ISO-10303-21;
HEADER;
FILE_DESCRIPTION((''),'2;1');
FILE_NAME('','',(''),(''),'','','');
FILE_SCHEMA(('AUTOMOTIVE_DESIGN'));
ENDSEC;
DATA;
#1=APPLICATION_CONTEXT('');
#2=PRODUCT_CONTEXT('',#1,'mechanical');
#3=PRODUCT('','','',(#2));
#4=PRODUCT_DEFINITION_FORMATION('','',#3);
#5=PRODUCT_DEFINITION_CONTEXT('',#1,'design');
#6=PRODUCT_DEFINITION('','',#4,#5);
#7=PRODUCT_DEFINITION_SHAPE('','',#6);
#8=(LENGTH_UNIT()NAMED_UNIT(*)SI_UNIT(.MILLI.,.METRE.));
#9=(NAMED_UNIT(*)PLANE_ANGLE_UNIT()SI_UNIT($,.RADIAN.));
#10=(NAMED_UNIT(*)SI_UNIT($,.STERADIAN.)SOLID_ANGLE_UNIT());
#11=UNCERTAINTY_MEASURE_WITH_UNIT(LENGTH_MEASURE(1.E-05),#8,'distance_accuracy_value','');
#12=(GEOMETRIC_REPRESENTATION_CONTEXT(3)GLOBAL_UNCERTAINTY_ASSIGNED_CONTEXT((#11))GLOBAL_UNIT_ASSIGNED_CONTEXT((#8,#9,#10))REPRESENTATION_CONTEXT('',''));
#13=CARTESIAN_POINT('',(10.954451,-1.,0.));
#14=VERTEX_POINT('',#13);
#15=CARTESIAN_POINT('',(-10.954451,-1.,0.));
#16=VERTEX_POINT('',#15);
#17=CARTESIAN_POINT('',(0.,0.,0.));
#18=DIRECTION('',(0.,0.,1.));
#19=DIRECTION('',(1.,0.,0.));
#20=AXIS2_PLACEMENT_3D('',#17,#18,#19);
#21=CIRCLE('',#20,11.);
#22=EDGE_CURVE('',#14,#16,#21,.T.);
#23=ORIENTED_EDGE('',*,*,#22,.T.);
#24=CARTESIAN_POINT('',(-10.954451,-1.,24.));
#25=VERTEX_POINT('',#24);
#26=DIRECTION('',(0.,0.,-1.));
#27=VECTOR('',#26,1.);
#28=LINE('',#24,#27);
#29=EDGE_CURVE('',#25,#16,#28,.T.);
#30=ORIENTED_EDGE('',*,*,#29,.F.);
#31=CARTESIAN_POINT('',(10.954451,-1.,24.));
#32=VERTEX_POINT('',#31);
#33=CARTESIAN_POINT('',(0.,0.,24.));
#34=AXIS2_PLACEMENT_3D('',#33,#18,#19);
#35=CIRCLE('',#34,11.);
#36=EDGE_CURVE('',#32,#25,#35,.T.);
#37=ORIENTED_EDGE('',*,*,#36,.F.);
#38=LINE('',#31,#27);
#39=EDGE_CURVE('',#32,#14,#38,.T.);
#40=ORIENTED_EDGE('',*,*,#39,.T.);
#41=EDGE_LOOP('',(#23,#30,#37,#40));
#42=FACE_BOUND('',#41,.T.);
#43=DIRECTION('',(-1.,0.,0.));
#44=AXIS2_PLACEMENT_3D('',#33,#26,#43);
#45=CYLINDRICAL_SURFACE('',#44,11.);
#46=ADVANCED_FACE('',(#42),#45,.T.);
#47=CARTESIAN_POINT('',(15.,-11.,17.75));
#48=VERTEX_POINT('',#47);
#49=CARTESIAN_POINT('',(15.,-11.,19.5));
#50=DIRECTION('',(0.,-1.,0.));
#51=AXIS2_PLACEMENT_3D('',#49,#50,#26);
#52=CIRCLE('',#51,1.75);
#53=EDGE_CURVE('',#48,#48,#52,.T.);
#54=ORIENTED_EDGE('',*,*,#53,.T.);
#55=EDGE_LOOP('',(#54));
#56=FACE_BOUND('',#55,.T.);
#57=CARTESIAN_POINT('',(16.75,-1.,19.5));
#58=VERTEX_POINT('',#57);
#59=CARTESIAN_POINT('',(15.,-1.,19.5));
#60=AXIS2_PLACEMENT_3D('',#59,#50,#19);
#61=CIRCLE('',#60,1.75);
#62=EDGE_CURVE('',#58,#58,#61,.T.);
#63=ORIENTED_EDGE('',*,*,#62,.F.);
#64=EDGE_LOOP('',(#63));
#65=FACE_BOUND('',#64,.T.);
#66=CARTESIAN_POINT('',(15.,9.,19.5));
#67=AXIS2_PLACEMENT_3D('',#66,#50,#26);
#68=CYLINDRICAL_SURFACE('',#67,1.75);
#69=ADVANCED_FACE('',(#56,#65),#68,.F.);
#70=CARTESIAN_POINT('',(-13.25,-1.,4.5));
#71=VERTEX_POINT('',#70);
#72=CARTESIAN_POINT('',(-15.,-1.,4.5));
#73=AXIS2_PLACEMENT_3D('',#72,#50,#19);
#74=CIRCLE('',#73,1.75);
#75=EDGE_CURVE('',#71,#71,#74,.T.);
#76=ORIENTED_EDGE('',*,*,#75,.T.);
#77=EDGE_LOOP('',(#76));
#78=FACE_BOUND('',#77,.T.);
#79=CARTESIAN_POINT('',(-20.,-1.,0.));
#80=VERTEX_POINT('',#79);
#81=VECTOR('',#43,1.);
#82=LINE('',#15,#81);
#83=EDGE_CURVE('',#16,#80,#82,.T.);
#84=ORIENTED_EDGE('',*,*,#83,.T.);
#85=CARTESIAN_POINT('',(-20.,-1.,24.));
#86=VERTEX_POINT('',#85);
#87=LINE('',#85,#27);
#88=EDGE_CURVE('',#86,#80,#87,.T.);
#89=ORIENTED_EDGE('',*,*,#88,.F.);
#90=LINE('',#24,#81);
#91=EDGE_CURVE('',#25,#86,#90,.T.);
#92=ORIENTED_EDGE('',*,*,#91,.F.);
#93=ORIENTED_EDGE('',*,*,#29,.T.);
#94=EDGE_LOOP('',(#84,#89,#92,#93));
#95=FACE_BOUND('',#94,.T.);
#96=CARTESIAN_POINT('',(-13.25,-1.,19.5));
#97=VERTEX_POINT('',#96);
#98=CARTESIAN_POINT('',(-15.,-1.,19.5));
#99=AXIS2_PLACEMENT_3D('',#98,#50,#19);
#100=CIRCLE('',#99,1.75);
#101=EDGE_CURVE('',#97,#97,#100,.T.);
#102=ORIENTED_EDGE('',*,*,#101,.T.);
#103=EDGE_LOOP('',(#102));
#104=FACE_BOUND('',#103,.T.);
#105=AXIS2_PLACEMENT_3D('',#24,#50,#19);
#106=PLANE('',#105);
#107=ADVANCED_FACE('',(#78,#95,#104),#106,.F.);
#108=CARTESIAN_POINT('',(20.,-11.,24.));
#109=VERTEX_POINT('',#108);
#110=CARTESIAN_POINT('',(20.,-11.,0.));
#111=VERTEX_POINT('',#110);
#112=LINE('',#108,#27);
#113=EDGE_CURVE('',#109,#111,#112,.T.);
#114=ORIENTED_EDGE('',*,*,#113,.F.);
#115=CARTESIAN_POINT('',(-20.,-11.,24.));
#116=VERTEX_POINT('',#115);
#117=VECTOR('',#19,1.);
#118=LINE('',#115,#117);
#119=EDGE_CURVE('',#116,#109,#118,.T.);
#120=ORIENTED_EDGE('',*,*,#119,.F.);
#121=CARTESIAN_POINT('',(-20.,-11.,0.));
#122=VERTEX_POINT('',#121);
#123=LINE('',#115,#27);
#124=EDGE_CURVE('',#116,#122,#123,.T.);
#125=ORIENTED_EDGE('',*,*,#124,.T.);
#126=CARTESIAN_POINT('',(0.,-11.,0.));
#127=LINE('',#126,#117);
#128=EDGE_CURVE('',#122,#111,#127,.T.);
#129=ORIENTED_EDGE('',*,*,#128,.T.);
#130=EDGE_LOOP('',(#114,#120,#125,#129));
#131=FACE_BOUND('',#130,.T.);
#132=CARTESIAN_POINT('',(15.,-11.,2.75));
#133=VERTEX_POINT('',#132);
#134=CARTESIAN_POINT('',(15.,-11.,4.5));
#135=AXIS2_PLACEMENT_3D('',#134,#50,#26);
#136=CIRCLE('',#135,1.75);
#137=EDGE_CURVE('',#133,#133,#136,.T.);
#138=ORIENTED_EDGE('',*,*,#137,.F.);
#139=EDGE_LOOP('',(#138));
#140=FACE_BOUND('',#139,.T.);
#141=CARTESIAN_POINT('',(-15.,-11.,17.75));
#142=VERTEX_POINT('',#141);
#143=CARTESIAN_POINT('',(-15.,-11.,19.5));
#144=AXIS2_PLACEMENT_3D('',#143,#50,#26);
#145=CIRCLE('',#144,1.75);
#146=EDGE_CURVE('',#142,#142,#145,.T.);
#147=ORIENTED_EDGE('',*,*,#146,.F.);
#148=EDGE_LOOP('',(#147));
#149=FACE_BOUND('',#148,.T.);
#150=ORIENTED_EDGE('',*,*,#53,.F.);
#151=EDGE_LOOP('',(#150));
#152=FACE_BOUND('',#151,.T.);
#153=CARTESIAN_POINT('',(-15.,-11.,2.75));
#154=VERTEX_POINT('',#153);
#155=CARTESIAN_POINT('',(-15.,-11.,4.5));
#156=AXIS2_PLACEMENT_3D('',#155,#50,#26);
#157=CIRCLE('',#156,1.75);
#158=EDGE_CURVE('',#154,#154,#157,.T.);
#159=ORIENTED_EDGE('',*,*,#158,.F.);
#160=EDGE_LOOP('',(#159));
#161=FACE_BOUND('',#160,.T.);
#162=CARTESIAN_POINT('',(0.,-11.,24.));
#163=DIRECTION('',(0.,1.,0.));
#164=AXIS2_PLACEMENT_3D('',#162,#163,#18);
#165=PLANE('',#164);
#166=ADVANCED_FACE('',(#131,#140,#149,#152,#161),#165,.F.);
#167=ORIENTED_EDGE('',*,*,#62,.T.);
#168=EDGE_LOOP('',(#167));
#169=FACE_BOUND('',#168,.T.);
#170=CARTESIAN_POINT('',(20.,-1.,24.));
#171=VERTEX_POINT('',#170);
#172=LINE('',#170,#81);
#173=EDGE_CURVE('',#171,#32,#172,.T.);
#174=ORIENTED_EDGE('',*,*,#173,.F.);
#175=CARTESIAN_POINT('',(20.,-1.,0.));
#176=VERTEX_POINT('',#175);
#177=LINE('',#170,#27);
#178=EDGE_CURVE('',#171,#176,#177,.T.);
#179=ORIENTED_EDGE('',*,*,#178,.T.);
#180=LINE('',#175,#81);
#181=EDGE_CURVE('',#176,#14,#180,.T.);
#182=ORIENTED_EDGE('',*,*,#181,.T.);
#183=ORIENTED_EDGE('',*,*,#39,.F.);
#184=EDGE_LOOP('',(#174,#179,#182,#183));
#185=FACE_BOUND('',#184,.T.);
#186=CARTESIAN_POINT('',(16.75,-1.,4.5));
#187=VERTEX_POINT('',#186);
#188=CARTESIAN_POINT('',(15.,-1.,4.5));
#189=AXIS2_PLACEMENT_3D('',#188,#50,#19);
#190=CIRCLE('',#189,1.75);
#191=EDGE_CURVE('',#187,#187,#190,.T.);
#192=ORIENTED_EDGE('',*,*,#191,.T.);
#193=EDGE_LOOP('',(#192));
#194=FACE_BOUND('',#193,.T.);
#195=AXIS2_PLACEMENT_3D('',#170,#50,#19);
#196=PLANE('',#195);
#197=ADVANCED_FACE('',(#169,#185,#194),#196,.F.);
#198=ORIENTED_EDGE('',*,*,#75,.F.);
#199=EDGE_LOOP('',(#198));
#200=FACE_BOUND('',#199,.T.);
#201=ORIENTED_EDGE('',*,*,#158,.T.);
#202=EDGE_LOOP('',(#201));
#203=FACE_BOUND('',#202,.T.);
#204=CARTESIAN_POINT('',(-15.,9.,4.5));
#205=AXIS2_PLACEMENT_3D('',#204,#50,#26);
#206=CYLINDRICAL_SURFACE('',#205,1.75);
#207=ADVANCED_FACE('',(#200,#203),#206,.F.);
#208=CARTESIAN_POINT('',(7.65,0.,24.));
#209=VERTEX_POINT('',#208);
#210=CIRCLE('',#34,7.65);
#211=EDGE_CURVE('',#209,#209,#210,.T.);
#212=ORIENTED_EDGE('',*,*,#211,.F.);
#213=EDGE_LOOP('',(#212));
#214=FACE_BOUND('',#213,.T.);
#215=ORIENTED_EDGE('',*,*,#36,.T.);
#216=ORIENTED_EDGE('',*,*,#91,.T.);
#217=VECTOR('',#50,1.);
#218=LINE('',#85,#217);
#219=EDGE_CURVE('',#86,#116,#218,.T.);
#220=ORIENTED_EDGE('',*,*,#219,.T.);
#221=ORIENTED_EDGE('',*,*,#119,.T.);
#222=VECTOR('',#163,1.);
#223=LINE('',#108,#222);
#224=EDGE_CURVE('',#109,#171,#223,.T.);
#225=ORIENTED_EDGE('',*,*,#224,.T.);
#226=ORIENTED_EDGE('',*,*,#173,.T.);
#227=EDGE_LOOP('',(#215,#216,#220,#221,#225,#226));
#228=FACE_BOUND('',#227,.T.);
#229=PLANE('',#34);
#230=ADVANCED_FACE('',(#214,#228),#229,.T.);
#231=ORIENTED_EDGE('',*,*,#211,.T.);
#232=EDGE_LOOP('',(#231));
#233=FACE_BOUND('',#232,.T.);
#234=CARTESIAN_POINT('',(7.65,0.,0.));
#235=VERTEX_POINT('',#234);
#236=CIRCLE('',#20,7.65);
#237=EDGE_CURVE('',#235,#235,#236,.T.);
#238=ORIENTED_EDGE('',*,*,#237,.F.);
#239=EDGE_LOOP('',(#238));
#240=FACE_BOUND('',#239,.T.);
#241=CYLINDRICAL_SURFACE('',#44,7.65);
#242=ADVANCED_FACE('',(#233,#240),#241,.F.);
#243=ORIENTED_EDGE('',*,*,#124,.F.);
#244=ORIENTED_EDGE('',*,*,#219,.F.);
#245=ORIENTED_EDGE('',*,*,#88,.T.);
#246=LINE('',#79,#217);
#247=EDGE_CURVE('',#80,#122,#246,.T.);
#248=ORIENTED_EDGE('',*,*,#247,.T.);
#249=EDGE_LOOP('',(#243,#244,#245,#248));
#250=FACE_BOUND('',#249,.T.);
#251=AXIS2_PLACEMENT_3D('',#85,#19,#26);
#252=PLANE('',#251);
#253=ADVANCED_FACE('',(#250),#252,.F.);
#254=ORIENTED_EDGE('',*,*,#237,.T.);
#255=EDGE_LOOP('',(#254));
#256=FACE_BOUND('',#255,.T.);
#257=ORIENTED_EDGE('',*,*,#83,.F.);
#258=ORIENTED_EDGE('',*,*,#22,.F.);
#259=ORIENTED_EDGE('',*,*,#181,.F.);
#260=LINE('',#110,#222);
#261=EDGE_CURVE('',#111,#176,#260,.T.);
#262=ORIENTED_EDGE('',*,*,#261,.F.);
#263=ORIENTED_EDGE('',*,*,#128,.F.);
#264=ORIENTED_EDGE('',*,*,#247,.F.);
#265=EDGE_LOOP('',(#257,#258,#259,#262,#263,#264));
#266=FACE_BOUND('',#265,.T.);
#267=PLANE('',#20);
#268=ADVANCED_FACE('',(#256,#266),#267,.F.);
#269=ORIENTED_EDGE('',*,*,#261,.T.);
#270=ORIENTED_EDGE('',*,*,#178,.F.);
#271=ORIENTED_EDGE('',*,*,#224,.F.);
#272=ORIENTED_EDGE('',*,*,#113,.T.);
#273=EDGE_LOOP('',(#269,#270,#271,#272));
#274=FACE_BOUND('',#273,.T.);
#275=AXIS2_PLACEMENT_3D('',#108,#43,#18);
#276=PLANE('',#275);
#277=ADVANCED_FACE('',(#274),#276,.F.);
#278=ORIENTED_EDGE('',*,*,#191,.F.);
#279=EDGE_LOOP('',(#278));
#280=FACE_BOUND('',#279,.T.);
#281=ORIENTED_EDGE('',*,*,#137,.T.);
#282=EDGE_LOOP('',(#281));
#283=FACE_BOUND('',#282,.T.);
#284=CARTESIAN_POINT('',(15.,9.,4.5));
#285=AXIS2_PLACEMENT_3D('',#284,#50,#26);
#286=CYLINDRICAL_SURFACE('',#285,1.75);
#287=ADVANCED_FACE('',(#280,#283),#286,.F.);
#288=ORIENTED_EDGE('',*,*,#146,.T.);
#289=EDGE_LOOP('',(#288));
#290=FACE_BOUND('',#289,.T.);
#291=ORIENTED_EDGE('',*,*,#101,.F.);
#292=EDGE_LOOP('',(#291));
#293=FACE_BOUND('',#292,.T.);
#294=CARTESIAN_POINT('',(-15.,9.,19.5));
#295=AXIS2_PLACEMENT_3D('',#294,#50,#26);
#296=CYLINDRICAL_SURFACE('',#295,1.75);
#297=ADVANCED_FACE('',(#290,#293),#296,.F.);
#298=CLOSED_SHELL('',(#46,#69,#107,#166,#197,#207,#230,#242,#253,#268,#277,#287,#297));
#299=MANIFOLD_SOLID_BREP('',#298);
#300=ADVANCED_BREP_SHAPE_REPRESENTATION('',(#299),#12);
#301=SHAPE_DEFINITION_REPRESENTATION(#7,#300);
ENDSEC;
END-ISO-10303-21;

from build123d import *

# Parameters (mm, degrees)
ESBO_O1_R                = 7.65
RESSALTO_EXTRUS_O1_DEPTH = 24
ESBO_O2_R                = 1.75
CORTE_EXTRUS_O1_DEPTH    = 20


with BuildPart() as part:
    # Esboço1 → Ressalto-extrusão1 (new body)
    with BuildSketch(Plane.XY):
        with BuildLine():
            Line((-10.95445115, -1), (-20, -1))
            Line((-20, -1), (-20, -11))
            Line((-20, -11), (0, -11))
            Line((0, -11), (20, -11))
            Line((20, -11), (20, -1))
            Line((20, -1), (10.95445115, -1))
            ThreePointArc((10.95445115, -1), (0, 11), (-10.95445115, -1))
        make_face()
        Circle(ESBO_O1_R, mode=Mode.SUBTRACT)
    extrude(amount=RESSALTO_EXTRUS_O1_DEPTH)

    # Esboço2 → Corte-extrusão1 (cut)
    with BuildSketch(Plane.XZ.offset(11)):
        with Locations(Location((15, 19.5, 0), (0, 0, 270))):
            Circle(ESBO_O2_R)
        with Locations(Location((15, 4.5, 0), (0, 0, 270))):
            Circle(ESBO_O2_R)
        with Locations(Location((-15, 4.5, 0), (0, 0, 270))):
            Circle(ESBO_O2_R)
        with Locations(Location((-15, 19.5, 0), (0, 0, 270))):
            Circle(ESBO_O2_R)
    extrude(amount=-CORTE_EXTRUS_O1_DEPTH, mode=Mode.SUBTRACT)


solid = part.part
